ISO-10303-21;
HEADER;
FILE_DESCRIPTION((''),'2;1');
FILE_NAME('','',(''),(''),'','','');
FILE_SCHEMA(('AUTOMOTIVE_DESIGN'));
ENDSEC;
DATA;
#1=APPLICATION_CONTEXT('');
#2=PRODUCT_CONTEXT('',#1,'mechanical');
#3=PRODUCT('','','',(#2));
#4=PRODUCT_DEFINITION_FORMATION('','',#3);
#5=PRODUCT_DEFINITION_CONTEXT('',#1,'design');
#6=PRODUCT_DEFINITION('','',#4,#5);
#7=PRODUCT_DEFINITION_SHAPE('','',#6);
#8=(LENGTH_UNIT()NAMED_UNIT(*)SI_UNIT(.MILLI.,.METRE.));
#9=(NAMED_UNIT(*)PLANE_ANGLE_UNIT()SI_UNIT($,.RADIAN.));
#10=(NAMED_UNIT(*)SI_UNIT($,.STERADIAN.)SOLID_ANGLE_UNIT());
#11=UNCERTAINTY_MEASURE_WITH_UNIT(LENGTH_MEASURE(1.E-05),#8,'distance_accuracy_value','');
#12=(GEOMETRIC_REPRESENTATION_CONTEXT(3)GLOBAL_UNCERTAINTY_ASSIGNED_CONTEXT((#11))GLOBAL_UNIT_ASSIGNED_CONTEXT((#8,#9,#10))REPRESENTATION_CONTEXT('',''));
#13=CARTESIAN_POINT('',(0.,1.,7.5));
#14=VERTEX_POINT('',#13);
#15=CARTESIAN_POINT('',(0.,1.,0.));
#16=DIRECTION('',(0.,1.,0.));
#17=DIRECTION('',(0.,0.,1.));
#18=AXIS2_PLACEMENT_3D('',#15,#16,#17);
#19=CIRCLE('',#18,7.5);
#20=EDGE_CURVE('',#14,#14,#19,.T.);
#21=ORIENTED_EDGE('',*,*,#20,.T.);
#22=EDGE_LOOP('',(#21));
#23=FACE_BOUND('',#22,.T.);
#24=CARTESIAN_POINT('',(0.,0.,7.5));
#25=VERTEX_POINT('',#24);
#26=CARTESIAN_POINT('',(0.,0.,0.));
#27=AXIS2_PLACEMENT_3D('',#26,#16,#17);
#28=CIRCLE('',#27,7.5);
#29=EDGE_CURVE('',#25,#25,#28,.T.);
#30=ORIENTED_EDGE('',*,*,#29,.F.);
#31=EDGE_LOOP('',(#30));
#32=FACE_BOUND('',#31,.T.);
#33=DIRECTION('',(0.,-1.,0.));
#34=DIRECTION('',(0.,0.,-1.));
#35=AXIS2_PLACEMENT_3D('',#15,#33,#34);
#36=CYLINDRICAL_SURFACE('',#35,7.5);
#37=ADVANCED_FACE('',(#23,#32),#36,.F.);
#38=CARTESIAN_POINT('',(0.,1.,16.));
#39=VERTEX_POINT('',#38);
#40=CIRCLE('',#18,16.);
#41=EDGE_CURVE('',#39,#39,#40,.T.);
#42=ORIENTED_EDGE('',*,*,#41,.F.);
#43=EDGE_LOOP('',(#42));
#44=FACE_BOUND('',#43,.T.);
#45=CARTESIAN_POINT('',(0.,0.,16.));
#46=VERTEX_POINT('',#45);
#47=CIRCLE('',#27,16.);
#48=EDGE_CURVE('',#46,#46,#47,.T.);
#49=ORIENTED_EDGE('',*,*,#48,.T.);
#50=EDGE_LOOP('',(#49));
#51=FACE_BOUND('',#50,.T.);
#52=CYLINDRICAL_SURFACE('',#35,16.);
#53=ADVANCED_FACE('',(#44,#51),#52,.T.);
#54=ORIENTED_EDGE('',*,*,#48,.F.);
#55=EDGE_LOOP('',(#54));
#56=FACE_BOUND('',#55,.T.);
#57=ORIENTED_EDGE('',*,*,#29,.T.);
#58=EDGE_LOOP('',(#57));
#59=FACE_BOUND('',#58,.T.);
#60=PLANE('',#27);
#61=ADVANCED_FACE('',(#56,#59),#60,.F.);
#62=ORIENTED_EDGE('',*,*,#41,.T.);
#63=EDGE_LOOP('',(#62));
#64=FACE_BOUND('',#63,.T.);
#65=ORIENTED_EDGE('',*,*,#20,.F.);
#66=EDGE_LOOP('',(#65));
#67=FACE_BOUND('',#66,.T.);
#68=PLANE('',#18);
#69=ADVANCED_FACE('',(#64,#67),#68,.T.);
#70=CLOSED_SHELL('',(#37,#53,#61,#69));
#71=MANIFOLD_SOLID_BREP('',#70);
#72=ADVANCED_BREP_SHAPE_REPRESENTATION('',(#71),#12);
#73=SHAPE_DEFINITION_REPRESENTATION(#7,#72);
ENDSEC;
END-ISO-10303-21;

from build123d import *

# Parameters (mm, degrees)
SZKIC1_R                    = 16
SZKIC1_R_2                  = 7.5
DODANIE_WYCI_GNI_CIE1_DEPTH = 1


with BuildPart() as part:
    # Szkic1 → Dodanie-wyciągnięcie1 (new body)
    with BuildSketch(Plane(origin=(0, 0, 0), x_dir=(1, 0, 0), z_dir=(0, 1, 0))):
        with Locations(Location((0, 0, 0), (0, 0, 270))):
            Circle(SZKIC1_R)
        with Locations(Location((0, 0, 0), (0, 0, 270))):
            Circle(SZKIC1_R_2, mode=Mode.SUBTRACT)
    extrude(amount=DODANIE_WYCI_GNI_CIE1_DEPTH)


solid = part.part
